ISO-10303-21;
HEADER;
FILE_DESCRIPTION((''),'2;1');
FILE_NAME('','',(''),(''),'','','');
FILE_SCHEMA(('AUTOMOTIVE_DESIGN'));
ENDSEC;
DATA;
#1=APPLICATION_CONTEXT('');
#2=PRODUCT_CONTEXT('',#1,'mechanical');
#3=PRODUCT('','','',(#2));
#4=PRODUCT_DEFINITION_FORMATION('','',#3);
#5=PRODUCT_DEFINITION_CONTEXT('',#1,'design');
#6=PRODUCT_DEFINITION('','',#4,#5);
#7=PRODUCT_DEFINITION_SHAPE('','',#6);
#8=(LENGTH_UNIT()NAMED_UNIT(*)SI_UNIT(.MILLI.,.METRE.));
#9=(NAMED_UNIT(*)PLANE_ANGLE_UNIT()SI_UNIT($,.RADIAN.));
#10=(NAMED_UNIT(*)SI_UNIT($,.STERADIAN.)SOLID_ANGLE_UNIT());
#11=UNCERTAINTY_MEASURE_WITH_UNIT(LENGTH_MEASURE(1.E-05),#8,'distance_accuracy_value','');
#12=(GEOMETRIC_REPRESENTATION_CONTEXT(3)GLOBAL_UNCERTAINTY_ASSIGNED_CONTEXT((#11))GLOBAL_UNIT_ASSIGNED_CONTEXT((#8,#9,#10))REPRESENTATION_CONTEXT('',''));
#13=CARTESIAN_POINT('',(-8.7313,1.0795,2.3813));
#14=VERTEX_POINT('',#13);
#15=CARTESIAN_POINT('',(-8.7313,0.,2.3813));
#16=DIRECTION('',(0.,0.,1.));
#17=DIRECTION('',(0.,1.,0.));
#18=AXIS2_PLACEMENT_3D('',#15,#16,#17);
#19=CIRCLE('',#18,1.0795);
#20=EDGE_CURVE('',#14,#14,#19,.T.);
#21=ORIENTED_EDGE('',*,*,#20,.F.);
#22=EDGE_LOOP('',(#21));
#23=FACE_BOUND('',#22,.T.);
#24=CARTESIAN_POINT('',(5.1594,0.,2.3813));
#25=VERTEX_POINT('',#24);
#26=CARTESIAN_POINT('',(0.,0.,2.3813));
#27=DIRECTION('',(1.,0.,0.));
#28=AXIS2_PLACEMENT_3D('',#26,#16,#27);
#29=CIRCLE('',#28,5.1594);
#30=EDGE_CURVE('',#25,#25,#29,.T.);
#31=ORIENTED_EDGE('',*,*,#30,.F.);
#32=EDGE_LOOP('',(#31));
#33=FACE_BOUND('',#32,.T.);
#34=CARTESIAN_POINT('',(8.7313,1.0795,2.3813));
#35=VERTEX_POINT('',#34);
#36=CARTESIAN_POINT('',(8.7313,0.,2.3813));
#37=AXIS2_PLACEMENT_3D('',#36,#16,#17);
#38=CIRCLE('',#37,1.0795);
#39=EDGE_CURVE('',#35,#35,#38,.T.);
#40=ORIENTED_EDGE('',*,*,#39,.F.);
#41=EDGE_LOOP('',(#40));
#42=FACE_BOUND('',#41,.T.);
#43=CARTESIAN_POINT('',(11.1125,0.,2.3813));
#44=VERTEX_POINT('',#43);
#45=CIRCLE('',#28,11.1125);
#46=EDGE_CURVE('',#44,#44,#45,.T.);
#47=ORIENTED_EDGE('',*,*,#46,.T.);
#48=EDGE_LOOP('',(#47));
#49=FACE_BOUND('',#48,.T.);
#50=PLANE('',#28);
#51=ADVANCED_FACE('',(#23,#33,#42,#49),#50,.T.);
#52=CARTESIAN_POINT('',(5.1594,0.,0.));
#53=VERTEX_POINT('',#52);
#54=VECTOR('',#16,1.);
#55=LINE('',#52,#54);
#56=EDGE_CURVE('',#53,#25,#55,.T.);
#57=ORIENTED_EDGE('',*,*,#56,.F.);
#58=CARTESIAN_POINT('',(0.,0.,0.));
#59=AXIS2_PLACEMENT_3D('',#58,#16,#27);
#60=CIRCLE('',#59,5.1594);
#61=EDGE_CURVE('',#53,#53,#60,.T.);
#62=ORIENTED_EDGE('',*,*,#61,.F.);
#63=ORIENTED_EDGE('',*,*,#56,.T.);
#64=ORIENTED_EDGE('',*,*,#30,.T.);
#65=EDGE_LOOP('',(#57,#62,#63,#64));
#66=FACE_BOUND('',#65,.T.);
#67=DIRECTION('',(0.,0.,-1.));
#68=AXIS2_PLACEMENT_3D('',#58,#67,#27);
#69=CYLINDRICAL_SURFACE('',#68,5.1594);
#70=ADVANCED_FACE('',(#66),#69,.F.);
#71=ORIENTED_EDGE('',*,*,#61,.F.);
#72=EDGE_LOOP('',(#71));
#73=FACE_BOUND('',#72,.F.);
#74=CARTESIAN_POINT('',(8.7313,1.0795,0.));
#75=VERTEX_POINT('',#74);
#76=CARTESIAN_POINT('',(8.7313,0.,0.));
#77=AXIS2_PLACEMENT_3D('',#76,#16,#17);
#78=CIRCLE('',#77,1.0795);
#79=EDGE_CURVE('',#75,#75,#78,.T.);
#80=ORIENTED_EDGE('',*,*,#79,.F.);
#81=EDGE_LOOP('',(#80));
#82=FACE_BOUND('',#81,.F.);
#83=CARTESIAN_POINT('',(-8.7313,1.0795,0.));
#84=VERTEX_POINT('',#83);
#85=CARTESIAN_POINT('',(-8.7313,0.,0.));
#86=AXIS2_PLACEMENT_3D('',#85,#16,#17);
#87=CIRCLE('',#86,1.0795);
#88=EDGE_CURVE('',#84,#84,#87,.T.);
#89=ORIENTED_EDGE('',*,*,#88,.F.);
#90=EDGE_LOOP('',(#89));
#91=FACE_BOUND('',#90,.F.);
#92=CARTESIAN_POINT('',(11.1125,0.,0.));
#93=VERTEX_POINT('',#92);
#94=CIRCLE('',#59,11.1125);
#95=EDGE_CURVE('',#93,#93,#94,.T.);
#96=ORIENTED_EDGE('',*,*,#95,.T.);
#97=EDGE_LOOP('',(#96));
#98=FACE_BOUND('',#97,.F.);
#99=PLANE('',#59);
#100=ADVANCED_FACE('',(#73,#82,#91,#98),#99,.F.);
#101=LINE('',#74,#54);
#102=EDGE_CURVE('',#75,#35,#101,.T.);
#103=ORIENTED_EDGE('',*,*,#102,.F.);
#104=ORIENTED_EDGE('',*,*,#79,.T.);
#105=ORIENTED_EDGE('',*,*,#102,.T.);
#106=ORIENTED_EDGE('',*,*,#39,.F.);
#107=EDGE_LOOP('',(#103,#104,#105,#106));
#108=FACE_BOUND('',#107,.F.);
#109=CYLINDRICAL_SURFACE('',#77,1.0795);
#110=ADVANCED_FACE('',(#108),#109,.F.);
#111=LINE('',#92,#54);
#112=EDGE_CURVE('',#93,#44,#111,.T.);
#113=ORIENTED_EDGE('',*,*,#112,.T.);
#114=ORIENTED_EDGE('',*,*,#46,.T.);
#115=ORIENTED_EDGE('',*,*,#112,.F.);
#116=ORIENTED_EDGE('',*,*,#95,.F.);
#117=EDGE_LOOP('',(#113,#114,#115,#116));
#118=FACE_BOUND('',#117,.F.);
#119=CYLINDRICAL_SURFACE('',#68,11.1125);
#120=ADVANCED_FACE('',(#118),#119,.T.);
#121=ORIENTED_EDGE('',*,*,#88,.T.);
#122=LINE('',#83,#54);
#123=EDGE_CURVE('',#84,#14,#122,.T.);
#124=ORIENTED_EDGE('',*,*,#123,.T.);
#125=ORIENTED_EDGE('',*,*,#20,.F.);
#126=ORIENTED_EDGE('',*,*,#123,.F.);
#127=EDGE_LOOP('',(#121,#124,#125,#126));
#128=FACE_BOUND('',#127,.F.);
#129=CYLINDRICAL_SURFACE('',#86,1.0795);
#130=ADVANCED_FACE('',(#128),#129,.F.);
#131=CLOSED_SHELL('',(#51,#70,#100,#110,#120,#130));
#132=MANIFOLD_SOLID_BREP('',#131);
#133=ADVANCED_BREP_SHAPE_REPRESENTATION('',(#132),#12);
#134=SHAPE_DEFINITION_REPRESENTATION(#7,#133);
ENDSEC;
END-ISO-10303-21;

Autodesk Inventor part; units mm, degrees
ref_plane "YZ Plane" through (0, 0, 0) normal (1, 0, 0) x (0, 1, 0)
ref_plane "XZ Plane" through (0, 0, 0) normal (0, 1, 0) x (-1, 0, 0)
ref_plane "XY Plane" through (0, 0, 0) normal (0, 0, 1) x (1, 0, 0)
sketch "Sketch1" plane through (0, 0, 0) normal (0, 0, 1) x (1, 0, 0)
  circle A0 centre (0, 0) radius 11.1125
  circle A1 centre (0, 0) radius 5.1594
  circle A2 centre (0, 0) radius 6.35 construction
  circle A3 centre (0, 0) radius 8.7313 construction
  line L0 (-8.7313, 0) -> (8.7313, 0) construction
  dimension "d0" = 22.225
  dimension "d2" = 10.3187
  dimension "d6" = 12.7
  dimension "d7" = 2.3813
  dimension "d8" = 2.3813
extrude "Extrusion1" add sketch "Sketch1" along normal blind 2.3813
hole "Hole1" at (-8.7313, 0, 0) at (8.7313, 0, 0) direction (0, 0, 1) diameter 2.159 end through all
equation "\"d7\" = d8"
properties part number "Pneumatic Connector Cap" material "Aluminum 6061"
